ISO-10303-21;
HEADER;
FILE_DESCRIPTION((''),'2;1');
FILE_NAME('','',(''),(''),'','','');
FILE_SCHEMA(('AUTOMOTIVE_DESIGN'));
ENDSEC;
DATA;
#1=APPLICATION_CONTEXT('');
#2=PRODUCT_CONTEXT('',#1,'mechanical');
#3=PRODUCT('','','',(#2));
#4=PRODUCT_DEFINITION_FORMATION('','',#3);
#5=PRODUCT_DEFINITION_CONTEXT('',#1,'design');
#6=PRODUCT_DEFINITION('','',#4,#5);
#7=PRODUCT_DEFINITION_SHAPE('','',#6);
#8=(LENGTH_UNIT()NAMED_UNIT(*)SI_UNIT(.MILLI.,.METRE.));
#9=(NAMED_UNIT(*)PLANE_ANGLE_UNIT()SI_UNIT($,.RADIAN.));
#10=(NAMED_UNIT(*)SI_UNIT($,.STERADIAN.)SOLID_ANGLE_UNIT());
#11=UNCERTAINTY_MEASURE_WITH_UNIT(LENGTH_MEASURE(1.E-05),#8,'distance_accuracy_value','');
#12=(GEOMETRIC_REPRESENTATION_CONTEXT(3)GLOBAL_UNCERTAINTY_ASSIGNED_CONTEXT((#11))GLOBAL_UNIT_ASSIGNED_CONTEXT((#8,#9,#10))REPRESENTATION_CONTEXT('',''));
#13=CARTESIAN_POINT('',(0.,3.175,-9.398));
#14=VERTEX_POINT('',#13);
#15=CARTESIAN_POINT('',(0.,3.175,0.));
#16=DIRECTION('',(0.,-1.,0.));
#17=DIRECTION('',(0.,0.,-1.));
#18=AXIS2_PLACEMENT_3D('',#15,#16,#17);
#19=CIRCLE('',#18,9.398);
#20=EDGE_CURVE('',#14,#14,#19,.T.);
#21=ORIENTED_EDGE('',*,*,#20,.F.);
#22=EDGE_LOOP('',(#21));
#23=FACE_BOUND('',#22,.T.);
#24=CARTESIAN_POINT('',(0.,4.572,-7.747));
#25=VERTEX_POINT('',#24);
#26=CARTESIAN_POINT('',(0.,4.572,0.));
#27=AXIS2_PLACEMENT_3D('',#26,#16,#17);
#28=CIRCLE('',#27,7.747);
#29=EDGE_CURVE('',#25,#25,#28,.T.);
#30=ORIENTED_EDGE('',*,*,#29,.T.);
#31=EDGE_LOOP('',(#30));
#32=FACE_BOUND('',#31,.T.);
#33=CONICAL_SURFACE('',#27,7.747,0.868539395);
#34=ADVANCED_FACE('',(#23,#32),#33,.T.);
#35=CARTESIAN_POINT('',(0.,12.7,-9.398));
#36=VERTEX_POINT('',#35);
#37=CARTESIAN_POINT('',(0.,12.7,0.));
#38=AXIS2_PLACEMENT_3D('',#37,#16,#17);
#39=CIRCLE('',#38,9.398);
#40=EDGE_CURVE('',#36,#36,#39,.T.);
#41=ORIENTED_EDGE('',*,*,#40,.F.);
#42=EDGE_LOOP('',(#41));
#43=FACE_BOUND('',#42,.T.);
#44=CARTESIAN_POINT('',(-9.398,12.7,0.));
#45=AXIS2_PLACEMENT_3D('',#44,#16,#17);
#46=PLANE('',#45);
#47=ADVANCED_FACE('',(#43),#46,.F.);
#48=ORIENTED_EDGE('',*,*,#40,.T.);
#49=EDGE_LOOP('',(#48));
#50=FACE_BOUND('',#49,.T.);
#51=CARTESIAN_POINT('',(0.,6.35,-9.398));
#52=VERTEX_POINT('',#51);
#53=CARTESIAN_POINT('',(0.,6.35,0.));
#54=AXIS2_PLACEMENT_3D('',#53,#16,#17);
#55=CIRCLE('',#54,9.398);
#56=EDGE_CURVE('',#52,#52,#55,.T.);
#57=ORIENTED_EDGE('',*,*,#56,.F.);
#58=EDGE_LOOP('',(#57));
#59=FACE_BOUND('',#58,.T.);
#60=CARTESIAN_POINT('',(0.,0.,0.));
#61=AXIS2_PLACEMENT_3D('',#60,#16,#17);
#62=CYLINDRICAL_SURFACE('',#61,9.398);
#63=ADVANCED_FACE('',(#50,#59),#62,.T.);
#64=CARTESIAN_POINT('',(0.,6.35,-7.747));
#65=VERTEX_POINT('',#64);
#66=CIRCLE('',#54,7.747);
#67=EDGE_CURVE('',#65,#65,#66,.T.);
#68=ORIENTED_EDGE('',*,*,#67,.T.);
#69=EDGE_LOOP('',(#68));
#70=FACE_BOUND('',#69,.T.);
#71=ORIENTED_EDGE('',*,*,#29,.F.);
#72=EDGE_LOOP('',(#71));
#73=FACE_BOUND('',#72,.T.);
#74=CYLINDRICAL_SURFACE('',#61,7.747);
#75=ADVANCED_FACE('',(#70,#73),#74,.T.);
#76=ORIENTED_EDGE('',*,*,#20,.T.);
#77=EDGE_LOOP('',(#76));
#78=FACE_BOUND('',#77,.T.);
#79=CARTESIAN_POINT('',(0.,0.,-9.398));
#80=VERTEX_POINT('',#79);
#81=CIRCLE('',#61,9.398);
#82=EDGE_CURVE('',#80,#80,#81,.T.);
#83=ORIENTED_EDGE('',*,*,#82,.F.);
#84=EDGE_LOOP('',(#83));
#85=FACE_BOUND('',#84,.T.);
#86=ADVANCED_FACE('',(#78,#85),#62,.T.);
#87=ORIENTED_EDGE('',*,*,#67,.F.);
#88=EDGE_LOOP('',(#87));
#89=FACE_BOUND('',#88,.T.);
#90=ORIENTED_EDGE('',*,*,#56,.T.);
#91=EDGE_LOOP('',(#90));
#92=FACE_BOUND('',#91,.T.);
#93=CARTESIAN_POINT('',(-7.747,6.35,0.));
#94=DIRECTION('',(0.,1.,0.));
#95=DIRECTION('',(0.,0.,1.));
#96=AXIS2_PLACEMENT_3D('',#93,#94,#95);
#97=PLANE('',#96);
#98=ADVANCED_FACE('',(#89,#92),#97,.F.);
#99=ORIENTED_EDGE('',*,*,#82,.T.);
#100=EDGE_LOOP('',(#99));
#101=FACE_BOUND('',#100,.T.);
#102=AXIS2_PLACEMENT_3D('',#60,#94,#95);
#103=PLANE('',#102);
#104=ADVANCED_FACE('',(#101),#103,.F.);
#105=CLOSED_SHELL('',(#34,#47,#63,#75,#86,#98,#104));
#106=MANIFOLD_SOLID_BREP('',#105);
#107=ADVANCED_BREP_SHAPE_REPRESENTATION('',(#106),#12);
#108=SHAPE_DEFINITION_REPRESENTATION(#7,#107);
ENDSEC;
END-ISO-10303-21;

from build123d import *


with BuildPart() as part:
    # Sketch1 → Revolve1 (revolve)
    with BuildSketch(Plane.XY):
        Polygon((0, 0), (-9.398, 0), (-9.398, 3.175), (-7.747, 4.572), (-7.747, 6.35), (-9.398, 6.35), (-9.398, 12.7), (0, 12.7), align=None)
    revolve(axis=Axis((0, 0, 0), (0, 1, 0)))


solid = part.part
